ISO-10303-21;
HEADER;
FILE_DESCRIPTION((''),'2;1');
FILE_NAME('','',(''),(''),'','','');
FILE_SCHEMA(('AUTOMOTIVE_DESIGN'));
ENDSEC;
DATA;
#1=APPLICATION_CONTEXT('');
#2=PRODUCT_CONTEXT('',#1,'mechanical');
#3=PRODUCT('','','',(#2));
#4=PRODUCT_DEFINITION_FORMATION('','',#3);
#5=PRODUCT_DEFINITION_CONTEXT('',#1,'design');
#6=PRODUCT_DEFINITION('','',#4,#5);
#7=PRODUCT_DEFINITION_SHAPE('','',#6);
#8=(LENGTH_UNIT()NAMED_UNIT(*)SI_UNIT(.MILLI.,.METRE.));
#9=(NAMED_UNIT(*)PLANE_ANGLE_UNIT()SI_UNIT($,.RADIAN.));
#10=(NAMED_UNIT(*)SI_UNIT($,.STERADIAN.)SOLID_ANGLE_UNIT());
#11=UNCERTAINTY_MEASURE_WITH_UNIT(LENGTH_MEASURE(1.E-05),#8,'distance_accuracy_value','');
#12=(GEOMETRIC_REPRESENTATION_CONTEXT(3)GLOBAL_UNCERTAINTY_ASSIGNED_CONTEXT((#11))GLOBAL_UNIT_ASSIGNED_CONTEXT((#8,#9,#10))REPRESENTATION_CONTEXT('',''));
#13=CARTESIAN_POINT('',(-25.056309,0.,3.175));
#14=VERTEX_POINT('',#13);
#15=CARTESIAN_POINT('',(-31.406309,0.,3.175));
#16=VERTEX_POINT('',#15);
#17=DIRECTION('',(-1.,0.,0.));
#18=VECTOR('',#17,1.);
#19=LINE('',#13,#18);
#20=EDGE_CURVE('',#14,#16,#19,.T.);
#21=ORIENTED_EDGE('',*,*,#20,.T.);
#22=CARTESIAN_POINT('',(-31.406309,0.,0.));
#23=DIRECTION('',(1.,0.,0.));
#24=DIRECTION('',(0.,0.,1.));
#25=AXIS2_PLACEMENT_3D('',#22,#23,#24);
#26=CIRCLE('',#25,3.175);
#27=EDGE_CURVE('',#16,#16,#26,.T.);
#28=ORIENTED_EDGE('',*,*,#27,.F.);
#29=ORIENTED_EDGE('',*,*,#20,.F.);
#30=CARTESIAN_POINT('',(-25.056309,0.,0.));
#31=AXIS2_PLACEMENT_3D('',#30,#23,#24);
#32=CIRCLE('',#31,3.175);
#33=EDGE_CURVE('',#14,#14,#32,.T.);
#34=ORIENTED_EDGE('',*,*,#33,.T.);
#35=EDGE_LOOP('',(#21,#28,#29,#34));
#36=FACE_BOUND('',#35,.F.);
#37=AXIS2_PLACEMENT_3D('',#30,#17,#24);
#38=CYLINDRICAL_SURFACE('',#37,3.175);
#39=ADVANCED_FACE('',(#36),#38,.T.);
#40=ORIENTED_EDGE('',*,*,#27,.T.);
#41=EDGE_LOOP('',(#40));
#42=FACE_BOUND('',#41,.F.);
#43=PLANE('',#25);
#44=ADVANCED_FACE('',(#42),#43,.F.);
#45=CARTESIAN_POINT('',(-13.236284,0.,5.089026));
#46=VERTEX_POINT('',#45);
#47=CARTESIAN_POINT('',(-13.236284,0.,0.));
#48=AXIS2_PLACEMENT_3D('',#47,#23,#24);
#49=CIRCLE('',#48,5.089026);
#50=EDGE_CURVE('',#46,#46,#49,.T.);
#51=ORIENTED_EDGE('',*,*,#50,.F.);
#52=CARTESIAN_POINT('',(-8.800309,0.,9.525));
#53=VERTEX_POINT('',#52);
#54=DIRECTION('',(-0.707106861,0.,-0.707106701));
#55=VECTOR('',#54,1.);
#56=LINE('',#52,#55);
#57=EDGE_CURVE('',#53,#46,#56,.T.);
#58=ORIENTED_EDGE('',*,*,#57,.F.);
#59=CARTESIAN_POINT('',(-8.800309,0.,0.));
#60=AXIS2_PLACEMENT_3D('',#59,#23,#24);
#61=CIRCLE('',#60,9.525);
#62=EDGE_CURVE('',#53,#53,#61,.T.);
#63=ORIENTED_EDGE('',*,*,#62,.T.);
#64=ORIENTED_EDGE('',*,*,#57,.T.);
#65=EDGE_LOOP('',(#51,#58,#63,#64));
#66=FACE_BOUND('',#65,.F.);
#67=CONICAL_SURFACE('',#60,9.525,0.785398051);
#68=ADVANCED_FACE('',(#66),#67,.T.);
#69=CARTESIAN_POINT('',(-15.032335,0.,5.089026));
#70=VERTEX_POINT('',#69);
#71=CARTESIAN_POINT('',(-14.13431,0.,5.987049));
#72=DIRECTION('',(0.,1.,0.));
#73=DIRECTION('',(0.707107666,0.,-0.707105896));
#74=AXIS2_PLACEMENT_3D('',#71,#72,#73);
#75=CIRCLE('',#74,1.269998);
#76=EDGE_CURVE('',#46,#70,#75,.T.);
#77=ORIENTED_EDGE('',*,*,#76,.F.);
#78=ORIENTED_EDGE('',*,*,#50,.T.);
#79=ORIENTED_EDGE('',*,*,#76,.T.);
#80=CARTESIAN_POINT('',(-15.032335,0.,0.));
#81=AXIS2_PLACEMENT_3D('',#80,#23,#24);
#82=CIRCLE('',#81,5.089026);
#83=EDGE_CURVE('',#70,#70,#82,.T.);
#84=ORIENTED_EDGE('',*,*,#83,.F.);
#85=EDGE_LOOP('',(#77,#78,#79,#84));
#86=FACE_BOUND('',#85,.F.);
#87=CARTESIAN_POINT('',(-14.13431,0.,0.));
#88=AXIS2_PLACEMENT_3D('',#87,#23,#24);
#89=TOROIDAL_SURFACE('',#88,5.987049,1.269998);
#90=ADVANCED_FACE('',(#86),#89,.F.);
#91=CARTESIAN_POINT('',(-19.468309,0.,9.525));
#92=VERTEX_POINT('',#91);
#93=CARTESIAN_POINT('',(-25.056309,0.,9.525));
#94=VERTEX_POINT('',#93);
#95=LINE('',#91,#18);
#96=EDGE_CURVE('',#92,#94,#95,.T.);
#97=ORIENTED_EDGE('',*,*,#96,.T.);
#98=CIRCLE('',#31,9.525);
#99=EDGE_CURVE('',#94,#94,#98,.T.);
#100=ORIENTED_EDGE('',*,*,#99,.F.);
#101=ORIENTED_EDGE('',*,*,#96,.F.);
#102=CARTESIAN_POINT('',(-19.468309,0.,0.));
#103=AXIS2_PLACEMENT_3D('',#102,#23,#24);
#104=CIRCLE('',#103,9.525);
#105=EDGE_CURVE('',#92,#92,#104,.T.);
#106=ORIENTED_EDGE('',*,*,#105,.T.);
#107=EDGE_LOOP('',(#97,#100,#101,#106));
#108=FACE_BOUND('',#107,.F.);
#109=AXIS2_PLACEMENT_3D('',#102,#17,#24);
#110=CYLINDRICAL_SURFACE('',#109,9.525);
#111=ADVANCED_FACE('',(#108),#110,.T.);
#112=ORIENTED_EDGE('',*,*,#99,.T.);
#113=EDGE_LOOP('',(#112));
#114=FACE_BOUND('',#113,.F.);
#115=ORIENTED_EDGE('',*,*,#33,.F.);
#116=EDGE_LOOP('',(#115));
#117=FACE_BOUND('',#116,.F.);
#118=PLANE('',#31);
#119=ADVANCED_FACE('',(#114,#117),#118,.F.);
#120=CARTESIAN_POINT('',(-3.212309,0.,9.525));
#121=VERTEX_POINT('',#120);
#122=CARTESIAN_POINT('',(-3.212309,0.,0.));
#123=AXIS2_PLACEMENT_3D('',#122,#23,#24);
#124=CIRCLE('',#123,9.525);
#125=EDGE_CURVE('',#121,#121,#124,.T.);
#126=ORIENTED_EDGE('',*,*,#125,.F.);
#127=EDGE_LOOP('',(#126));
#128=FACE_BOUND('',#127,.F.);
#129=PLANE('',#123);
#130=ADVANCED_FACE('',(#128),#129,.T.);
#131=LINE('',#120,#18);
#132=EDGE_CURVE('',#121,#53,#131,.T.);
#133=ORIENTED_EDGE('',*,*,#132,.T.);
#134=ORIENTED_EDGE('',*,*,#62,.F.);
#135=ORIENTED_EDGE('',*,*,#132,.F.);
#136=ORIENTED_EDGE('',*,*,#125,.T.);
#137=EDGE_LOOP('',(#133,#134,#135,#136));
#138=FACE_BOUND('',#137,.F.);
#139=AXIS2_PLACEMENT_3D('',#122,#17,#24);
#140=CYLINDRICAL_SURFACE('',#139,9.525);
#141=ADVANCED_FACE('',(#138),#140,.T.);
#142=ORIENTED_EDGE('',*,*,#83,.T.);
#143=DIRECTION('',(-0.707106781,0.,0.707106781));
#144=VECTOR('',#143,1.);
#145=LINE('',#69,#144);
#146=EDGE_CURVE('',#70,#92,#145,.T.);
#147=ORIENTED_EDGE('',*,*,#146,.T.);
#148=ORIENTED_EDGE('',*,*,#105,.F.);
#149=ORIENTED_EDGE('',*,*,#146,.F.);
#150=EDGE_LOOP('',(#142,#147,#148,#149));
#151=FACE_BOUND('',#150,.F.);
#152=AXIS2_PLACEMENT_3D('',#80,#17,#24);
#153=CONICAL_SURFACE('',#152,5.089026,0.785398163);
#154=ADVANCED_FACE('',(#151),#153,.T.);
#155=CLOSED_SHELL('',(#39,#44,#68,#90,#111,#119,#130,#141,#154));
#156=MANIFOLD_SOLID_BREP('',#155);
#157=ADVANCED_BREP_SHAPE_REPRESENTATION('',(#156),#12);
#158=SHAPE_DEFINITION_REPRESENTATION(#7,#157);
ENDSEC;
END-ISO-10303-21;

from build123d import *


with BuildPart() as f1:
    # F0 (on Front) → F1 (revolve)
    with BuildSketch(Plane.XZ):
        with BuildLine():
            Line((-31.406309, 0), (-3.212309, 0))
            Line((-3.212309, 0), (-3.212309, 9.525))
            Line((-3.212309, 9.525), (-8.800309, 9.525))
            Line((-8.800309, 9.525), (-13.236284, 5.089026))
            ThreePointArc((-13.236284, 5.089026), (-14.134309, 4.717051), (-15.032335, 5.089026))
            Line((-15.032335, 5.089026), (-19.468309, 9.525))
            Line((-19.468309, 9.525), (-25.056309, 9.525))
            Line((-25.056309, 9.525), (-25.056309, 3.175))
            Line((-25.056309, 3.175), (-31.406309, 3.175))
            Line((-31.406309, 3.175), (-31.406309, 0))
        make_face()
    revolve(axis=Axis((-44.154793, 0, 0), (1, 0, 0)))


solid = f1.part
